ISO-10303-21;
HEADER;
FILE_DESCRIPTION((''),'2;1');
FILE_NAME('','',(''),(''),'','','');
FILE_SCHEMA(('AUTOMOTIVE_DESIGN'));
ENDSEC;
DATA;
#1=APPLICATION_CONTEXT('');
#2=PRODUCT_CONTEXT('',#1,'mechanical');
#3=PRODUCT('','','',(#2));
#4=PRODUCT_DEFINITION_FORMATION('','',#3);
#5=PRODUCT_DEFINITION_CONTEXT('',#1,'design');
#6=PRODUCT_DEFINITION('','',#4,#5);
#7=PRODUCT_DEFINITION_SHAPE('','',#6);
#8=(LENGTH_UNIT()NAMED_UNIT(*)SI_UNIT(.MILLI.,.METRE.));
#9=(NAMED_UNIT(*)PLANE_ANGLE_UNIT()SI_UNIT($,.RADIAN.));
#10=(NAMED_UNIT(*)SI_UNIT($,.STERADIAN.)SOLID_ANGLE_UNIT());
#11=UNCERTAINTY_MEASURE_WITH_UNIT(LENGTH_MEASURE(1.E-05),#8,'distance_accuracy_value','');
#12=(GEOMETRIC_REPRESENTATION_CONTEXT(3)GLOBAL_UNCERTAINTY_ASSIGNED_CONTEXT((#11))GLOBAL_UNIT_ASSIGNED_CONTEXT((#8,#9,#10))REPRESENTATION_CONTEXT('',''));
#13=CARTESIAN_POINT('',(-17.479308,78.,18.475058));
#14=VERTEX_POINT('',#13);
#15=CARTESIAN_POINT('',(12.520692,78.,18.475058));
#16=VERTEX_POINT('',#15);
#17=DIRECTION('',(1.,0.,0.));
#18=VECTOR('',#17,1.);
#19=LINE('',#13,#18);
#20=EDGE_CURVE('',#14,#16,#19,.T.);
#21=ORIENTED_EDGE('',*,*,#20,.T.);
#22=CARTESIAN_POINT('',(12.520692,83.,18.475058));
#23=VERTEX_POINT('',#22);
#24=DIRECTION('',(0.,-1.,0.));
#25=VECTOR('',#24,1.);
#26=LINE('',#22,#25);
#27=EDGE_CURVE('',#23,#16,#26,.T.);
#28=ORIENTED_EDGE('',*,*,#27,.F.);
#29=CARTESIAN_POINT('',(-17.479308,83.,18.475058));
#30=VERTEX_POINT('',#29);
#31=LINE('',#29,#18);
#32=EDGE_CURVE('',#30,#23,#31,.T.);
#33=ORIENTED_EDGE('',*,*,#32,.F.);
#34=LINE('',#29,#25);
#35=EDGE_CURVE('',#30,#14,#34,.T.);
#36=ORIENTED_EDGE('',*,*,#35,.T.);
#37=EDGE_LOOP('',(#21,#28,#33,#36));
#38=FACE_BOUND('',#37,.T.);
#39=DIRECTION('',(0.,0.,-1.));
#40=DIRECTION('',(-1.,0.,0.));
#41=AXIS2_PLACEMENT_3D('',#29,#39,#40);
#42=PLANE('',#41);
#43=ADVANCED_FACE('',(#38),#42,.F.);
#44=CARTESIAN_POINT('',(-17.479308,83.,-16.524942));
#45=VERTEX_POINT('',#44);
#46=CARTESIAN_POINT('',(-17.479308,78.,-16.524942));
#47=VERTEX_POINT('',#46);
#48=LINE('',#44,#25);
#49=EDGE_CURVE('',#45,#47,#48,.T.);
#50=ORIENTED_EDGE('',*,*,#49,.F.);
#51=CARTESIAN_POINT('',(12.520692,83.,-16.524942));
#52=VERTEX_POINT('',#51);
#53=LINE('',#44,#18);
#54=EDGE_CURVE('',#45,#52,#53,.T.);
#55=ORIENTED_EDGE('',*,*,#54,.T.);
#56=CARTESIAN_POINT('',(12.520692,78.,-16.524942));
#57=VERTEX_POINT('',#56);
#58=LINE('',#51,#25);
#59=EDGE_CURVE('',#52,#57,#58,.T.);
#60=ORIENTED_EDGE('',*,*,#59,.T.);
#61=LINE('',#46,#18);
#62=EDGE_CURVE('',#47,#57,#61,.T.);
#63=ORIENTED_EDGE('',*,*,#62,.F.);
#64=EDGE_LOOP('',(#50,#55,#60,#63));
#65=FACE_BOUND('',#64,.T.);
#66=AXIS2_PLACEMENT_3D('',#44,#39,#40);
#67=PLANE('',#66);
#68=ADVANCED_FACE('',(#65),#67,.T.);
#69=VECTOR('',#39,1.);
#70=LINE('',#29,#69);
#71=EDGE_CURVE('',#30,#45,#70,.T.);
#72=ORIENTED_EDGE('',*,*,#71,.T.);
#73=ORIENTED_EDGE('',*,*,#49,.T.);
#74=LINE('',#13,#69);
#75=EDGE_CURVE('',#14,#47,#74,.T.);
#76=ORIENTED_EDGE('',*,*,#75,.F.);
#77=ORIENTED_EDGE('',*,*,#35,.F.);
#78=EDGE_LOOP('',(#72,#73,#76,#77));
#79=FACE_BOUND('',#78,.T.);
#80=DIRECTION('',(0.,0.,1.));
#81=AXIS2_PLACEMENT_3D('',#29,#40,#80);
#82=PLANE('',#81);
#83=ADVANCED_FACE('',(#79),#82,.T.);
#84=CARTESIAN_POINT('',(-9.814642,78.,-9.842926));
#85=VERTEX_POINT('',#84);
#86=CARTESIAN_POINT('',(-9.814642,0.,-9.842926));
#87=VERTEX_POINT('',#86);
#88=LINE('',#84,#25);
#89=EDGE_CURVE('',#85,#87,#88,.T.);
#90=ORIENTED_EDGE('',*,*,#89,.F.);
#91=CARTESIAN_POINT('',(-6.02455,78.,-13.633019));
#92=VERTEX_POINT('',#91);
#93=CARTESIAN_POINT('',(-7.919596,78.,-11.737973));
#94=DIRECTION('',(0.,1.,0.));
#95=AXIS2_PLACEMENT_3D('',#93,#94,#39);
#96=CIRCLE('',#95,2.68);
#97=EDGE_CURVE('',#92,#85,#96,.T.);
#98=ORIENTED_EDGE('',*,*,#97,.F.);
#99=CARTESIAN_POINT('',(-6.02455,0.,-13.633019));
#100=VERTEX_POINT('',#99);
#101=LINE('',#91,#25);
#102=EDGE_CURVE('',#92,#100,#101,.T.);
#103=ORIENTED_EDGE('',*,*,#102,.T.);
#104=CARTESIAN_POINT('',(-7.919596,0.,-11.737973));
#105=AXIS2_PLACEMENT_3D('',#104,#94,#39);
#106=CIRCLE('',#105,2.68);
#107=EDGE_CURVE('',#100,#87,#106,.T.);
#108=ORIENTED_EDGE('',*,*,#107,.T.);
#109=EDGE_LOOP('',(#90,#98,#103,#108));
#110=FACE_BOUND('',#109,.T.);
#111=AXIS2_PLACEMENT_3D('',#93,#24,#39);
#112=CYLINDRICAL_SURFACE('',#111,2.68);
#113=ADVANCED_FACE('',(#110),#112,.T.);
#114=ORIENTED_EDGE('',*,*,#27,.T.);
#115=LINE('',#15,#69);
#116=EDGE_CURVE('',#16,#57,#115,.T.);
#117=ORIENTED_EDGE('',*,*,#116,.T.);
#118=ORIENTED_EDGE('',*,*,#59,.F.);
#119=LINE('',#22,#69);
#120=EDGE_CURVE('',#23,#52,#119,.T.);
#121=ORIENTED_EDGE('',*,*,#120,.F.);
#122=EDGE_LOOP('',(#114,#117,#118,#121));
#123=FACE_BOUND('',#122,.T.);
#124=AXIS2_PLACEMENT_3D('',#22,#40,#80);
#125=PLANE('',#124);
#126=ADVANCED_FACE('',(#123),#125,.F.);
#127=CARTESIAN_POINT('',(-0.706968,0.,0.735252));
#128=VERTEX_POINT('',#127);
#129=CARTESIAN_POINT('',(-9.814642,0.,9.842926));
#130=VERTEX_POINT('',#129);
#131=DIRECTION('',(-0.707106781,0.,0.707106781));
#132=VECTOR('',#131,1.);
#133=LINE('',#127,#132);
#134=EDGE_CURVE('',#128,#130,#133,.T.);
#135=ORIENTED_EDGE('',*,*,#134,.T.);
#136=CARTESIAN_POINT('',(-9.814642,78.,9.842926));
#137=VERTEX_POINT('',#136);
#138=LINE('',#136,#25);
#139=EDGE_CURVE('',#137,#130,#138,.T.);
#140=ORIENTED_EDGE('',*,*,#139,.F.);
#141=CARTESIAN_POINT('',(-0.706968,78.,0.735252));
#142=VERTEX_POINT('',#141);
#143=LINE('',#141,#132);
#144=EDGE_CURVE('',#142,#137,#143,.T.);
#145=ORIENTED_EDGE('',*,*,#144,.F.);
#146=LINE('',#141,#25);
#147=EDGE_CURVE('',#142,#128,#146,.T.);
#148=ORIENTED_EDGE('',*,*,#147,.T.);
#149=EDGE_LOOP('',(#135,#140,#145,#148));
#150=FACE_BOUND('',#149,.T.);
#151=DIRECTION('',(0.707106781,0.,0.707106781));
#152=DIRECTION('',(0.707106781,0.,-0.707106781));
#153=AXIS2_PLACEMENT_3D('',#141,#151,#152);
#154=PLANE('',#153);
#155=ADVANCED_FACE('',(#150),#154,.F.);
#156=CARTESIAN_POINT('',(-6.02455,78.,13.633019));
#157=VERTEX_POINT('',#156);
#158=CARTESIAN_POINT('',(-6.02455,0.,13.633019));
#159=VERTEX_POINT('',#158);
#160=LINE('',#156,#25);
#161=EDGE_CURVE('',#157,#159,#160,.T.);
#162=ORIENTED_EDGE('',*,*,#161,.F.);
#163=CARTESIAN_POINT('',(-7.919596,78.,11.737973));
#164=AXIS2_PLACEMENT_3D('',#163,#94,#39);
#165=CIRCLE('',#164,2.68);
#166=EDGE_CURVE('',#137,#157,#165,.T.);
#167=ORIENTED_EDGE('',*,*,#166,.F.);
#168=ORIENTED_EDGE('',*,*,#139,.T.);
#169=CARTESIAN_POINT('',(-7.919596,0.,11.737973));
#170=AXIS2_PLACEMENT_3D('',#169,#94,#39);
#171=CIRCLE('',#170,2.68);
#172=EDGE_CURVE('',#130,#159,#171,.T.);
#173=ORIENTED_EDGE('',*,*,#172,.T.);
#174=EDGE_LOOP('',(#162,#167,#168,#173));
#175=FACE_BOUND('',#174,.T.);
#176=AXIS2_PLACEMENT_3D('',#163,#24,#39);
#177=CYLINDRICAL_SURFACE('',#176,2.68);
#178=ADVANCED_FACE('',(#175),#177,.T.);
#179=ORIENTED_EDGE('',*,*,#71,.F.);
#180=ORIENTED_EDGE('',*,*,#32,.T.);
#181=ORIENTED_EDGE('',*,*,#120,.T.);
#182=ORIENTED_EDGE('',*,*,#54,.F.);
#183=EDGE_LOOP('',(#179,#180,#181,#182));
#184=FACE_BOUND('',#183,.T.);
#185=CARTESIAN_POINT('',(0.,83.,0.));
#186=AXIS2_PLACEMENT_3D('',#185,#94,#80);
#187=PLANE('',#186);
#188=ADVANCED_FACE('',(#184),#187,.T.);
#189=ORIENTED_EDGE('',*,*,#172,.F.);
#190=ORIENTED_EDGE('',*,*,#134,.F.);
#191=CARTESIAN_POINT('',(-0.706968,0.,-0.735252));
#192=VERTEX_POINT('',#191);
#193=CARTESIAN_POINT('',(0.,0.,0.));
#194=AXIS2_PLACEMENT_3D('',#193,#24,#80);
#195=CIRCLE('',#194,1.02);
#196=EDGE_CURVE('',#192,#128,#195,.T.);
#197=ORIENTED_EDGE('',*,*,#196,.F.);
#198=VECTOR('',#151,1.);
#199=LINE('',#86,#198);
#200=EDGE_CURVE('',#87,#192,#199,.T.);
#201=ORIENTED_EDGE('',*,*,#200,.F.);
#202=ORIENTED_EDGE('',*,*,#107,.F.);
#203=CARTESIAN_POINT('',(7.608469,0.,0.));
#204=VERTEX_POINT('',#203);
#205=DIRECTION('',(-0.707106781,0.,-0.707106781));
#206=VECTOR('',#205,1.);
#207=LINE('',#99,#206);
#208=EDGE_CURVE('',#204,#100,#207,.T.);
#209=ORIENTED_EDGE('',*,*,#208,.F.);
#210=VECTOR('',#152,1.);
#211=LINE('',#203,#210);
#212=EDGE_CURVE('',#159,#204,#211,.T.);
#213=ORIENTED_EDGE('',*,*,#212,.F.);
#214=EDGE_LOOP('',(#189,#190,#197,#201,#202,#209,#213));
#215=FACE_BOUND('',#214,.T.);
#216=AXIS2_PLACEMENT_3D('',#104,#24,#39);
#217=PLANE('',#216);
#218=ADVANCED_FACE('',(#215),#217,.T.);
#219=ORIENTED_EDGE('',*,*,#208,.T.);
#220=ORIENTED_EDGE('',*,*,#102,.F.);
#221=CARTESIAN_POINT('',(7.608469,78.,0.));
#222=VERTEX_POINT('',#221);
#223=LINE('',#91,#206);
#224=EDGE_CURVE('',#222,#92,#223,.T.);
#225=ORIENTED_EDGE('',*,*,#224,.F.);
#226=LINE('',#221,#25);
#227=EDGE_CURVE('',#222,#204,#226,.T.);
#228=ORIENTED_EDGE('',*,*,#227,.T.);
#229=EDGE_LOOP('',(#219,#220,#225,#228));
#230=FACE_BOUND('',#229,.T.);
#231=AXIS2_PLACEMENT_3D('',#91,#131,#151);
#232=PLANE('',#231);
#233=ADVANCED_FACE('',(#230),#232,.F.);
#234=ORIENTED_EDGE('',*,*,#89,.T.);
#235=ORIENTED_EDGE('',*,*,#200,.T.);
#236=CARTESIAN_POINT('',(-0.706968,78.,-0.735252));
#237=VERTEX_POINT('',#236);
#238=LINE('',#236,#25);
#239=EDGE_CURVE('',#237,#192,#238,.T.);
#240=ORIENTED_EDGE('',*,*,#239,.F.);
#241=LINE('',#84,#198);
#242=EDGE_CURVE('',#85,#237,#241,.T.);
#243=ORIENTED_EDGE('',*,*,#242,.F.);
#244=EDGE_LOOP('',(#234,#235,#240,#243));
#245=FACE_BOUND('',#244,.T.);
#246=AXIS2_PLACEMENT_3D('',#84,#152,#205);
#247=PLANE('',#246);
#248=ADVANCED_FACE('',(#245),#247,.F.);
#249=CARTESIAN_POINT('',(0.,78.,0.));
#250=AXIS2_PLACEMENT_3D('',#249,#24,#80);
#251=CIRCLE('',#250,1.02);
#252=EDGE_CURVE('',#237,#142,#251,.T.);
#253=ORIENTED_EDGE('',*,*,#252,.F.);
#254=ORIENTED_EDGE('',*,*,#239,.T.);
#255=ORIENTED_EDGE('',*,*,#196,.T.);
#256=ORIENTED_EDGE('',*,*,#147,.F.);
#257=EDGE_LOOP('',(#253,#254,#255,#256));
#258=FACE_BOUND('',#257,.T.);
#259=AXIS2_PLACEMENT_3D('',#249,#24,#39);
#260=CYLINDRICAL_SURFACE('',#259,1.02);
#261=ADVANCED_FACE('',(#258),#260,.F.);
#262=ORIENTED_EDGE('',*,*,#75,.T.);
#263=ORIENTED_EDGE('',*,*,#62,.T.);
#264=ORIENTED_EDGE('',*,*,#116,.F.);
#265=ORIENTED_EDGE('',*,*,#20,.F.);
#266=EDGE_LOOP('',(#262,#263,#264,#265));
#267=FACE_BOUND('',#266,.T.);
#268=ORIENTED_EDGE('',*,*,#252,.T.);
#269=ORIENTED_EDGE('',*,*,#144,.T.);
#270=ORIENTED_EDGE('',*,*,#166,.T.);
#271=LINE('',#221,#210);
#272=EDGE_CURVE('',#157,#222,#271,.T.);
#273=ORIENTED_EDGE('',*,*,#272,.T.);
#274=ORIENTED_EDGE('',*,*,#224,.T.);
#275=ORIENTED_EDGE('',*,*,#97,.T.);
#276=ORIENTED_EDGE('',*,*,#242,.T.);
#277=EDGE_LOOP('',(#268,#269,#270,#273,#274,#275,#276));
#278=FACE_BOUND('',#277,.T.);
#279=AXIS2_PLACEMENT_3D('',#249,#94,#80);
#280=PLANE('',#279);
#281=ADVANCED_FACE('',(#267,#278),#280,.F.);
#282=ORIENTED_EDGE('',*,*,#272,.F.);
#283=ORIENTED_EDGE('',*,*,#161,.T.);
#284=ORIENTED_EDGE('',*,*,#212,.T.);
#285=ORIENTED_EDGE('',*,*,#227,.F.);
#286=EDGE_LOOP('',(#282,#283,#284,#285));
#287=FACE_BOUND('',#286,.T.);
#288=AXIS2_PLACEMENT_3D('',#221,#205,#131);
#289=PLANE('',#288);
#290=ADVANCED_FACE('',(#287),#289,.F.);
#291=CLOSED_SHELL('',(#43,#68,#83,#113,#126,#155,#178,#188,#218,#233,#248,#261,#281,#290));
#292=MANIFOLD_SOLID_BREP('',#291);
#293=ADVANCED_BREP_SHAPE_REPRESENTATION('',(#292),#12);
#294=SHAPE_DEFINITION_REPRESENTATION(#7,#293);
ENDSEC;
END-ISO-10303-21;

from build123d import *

# Parameters (mm, degrees)
BOSS_EXTRUDE1_DEPTH = 78
SKETCH2_W           = 30
SKETCH2_H           = 35
BOSS_EXTRUDE2_DEPTH = 5


with BuildPart() as part:
    # Sketch1 → Boss-Extrude1 (new body)
    with BuildSketch(Plane(origin=(0, 0, 0), x_dir=(1, 0, 0), z_dir=(0, 1, 0))):
        with BuildLine():
            Line((-6.024549776, 13.633018741), (7.608468966, 0))
            Line((7.608468966, 0), (-6.024549776, -13.633018741))
            ThreePointArc((-6.024549776, -13.633018741), (-9.814642123, -13.633018741), (-9.814642123, -9.842926394))
            Line((-9.814642123, -9.842926394), (-0.706968119, -0.735252391))
            ThreePointArc((-0.706968119, -0.735252391), (1.02, 0), (-0.706968119, 0.735252391))
            Line((-0.706968119, 0.735252391), (-9.814642123, 9.842926394))
            ThreePointArc((-9.814642123, 9.842926394), (-9.814642123, 13.633018741), (-6.024549776, 13.633018741))
        make_face()
    extrude(amount=BOSS_EXTRUDE1_DEPTH)

    # Sketch2 → Boss-Extrude2 (add)
    with BuildSketch(Plane(origin=(0, 78, 0), x_dir=(1, 0, 0), z_dir=(0, 1, 0))):
        with Locations((-2.479307664, -0.975058093)):
            Rectangle(SKETCH2_W, SKETCH2_H)
    extrude(amount=BOSS_EXTRUDE2_DEPTH)


solid = part.part
